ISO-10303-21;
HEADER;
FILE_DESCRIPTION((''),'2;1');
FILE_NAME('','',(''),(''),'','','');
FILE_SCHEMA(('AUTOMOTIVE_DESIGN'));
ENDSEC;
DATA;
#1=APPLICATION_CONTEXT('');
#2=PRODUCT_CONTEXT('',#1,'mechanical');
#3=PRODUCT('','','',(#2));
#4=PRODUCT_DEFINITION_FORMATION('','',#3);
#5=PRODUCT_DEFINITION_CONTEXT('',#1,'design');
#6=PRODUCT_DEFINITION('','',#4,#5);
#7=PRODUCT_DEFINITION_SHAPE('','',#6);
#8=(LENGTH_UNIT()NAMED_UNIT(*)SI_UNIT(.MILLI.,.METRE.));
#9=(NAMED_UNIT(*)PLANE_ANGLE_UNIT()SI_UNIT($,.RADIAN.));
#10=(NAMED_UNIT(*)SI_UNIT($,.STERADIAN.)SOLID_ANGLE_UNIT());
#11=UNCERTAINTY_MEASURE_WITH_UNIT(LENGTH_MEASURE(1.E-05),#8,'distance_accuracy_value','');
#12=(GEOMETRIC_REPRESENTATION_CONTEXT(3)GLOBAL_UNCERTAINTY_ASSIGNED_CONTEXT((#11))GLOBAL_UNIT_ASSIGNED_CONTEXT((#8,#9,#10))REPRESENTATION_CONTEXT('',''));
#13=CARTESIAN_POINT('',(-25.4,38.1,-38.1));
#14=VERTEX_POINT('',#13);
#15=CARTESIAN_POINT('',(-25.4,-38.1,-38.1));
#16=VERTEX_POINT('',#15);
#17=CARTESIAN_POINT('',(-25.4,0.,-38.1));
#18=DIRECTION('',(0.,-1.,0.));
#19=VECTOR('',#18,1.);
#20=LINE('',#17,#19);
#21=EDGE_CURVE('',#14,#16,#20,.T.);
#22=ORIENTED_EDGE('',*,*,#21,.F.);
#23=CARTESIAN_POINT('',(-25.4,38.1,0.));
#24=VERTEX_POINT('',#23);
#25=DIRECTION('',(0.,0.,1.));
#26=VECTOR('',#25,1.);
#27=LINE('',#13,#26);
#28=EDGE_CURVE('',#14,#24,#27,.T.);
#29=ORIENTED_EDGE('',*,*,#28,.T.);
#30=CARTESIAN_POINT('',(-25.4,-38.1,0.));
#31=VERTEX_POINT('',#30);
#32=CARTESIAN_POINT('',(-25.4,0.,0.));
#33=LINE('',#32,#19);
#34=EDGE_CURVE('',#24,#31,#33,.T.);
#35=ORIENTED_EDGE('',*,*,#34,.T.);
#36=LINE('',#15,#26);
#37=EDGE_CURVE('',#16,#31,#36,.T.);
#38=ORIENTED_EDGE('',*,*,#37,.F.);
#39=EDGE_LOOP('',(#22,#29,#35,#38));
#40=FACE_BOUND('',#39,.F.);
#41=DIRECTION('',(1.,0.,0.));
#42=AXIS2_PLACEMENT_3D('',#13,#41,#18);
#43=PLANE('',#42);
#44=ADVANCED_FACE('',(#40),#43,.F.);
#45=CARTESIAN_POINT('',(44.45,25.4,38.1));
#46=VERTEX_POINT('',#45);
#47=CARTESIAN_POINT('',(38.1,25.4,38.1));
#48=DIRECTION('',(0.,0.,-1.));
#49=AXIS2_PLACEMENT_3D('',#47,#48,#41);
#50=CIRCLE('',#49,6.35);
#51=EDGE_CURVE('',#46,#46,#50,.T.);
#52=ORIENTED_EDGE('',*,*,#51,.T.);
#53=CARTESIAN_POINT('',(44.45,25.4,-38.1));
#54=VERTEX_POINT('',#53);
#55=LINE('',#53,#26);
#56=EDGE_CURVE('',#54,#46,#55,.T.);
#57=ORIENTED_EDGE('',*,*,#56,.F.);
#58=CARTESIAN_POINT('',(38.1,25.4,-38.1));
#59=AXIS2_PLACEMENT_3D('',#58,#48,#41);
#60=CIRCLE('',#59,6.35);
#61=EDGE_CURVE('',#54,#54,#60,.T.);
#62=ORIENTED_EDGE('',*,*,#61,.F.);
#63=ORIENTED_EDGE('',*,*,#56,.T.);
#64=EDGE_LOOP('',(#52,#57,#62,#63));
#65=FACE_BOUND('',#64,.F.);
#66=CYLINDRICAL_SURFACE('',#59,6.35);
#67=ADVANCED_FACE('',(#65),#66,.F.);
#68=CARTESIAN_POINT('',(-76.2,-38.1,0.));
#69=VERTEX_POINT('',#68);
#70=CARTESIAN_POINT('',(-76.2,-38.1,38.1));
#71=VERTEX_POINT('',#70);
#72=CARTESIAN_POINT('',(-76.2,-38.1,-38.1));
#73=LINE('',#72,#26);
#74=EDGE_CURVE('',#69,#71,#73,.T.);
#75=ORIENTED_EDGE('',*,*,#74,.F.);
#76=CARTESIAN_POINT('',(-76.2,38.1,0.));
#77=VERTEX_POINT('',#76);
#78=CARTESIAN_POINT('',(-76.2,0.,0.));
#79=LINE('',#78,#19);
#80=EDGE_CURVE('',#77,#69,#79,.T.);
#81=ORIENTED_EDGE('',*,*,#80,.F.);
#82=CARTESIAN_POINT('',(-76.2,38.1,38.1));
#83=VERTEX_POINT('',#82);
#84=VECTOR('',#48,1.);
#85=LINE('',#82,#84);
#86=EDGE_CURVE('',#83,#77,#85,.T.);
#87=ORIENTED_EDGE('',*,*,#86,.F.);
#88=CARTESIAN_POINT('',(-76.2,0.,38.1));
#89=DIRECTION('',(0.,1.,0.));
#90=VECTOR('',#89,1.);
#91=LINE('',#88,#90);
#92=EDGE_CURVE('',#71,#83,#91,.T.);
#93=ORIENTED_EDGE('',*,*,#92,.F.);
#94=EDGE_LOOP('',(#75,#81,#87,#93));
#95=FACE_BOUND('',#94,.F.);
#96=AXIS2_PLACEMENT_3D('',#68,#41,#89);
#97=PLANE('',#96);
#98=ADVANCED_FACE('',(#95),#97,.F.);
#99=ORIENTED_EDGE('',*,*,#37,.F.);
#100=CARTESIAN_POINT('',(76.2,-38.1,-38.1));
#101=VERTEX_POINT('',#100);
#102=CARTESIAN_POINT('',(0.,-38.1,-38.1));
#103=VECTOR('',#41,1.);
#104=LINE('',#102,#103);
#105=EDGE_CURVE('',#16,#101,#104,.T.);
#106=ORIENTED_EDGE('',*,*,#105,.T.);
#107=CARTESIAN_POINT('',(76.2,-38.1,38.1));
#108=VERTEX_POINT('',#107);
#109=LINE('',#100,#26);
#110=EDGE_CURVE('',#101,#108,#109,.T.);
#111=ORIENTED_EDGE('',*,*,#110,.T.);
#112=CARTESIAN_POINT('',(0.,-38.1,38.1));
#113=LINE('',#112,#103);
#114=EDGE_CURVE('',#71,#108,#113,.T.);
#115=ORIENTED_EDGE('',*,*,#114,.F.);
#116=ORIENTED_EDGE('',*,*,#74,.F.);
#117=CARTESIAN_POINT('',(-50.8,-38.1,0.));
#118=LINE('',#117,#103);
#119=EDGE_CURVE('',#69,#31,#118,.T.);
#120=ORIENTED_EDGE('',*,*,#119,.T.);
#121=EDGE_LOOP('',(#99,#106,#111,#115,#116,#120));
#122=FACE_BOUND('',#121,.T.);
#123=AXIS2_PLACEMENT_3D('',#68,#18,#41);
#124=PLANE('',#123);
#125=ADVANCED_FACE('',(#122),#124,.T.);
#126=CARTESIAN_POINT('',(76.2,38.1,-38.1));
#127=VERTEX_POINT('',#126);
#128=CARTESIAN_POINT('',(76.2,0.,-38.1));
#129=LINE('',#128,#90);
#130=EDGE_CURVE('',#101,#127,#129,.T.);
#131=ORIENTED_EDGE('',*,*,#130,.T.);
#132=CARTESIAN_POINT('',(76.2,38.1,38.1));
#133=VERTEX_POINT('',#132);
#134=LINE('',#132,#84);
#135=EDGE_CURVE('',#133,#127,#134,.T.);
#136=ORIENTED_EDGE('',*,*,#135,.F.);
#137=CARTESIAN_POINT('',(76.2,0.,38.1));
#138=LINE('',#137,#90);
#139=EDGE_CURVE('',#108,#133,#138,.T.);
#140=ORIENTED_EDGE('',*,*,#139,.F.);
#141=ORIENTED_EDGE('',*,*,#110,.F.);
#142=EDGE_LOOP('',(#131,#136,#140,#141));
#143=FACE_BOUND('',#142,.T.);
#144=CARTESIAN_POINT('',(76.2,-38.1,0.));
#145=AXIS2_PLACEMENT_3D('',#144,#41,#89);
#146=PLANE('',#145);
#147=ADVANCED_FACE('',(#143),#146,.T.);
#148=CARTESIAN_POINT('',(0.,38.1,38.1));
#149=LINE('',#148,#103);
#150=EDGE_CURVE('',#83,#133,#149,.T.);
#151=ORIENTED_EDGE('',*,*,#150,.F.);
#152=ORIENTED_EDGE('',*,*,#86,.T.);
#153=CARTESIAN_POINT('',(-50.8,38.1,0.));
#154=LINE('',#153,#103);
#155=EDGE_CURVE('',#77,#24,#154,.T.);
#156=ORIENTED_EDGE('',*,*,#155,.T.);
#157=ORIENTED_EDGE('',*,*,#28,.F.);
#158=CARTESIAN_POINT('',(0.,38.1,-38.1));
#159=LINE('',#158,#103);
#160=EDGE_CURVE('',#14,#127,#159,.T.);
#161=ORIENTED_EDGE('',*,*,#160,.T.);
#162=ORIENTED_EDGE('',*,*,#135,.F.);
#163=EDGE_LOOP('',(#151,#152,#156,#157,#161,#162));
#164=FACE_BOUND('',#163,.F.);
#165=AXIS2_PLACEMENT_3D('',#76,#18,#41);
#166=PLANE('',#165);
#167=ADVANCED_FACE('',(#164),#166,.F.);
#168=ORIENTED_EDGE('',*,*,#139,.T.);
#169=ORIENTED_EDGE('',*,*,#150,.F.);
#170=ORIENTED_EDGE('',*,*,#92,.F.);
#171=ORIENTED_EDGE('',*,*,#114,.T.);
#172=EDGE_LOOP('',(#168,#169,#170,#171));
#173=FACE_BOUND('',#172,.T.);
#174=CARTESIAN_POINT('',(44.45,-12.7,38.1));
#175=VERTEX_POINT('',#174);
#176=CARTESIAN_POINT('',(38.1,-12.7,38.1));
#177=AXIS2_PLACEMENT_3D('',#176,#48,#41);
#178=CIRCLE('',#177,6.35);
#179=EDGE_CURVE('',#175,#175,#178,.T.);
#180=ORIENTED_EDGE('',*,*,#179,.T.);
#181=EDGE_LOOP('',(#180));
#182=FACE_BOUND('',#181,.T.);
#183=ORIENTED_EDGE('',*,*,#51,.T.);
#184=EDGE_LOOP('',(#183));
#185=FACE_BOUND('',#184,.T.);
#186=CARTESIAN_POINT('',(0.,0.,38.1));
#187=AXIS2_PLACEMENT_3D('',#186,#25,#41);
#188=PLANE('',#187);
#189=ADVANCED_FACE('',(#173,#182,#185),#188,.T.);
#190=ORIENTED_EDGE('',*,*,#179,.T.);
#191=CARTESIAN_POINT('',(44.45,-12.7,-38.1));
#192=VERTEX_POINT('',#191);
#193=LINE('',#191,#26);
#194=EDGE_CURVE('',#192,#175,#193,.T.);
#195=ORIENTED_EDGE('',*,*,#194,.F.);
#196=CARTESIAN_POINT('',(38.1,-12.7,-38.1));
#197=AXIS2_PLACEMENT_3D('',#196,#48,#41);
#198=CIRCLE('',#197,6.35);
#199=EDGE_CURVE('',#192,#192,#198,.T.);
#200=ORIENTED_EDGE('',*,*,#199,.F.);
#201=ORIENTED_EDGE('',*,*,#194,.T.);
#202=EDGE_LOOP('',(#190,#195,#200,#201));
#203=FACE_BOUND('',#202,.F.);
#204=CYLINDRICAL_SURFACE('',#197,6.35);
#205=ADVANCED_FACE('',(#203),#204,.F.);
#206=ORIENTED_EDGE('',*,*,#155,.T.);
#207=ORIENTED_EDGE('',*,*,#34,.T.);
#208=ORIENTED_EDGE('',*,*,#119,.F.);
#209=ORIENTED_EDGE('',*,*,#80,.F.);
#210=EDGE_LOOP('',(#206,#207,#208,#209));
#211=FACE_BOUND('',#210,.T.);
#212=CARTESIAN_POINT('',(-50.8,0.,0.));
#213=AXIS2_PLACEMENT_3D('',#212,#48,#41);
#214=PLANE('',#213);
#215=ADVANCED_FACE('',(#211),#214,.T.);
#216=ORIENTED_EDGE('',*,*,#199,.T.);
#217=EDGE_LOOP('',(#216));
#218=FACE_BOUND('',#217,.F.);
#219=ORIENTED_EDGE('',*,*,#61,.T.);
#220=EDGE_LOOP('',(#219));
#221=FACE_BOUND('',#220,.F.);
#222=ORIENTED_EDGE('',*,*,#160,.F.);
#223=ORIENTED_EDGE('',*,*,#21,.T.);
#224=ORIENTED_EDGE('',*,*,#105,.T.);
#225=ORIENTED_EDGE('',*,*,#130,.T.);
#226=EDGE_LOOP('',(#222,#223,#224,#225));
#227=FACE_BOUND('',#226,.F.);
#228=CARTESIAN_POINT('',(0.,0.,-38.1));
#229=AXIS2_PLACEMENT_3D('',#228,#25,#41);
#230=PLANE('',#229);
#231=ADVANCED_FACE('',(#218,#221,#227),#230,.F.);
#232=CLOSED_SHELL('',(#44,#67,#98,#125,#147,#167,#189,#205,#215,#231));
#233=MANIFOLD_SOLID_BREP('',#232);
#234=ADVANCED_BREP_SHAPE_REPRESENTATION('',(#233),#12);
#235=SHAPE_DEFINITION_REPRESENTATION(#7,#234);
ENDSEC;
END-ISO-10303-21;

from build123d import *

# Parameters (mm, degrees)
F0_W     = 152.4
F0_H     = 76.2
F1_DEPTH = 38.1
F2_W     = 50.8
F2_H     = 76.2
F3_DEPTH = 38.1
F4_R     = 6.35
F5_DEPTH = 76.2


with BuildPart() as f1:
    # F0 (on Top) → F1 (new body, symmetric)
    with BuildSketch(Plane.XY):
        Rectangle(F0_W, F0_H)
    extrude(amount=F1_DEPTH, both=True)

    # F2 (on face) → F3 (cut)
    with BuildSketch(Plane(origin=(0, 0, -38.1), x_dir=(1, 0, 0), z_dir=(0, 0, -1))):
        with Locations((-50.8, 0)):
            Rectangle(F2_W, F2_H)
    extrude(amount=-F3_DEPTH, mode=Mode.SUBTRACT)

    # F4 (on face) → F5 (cut)
    with BuildSketch(Plane(origin=(0, 0, -38.1), x_dir=(1, 0, 0), z_dir=(0, 0, -1))):
        with Locations((38.1, 12.7)):
            Circle(F4_R)
        with Locations((38.1, -25.4)):
            Circle(F4_R)
    extrude(amount=-F5_DEPTH, mode=Mode.SUBTRACT)


solid = f1.part
